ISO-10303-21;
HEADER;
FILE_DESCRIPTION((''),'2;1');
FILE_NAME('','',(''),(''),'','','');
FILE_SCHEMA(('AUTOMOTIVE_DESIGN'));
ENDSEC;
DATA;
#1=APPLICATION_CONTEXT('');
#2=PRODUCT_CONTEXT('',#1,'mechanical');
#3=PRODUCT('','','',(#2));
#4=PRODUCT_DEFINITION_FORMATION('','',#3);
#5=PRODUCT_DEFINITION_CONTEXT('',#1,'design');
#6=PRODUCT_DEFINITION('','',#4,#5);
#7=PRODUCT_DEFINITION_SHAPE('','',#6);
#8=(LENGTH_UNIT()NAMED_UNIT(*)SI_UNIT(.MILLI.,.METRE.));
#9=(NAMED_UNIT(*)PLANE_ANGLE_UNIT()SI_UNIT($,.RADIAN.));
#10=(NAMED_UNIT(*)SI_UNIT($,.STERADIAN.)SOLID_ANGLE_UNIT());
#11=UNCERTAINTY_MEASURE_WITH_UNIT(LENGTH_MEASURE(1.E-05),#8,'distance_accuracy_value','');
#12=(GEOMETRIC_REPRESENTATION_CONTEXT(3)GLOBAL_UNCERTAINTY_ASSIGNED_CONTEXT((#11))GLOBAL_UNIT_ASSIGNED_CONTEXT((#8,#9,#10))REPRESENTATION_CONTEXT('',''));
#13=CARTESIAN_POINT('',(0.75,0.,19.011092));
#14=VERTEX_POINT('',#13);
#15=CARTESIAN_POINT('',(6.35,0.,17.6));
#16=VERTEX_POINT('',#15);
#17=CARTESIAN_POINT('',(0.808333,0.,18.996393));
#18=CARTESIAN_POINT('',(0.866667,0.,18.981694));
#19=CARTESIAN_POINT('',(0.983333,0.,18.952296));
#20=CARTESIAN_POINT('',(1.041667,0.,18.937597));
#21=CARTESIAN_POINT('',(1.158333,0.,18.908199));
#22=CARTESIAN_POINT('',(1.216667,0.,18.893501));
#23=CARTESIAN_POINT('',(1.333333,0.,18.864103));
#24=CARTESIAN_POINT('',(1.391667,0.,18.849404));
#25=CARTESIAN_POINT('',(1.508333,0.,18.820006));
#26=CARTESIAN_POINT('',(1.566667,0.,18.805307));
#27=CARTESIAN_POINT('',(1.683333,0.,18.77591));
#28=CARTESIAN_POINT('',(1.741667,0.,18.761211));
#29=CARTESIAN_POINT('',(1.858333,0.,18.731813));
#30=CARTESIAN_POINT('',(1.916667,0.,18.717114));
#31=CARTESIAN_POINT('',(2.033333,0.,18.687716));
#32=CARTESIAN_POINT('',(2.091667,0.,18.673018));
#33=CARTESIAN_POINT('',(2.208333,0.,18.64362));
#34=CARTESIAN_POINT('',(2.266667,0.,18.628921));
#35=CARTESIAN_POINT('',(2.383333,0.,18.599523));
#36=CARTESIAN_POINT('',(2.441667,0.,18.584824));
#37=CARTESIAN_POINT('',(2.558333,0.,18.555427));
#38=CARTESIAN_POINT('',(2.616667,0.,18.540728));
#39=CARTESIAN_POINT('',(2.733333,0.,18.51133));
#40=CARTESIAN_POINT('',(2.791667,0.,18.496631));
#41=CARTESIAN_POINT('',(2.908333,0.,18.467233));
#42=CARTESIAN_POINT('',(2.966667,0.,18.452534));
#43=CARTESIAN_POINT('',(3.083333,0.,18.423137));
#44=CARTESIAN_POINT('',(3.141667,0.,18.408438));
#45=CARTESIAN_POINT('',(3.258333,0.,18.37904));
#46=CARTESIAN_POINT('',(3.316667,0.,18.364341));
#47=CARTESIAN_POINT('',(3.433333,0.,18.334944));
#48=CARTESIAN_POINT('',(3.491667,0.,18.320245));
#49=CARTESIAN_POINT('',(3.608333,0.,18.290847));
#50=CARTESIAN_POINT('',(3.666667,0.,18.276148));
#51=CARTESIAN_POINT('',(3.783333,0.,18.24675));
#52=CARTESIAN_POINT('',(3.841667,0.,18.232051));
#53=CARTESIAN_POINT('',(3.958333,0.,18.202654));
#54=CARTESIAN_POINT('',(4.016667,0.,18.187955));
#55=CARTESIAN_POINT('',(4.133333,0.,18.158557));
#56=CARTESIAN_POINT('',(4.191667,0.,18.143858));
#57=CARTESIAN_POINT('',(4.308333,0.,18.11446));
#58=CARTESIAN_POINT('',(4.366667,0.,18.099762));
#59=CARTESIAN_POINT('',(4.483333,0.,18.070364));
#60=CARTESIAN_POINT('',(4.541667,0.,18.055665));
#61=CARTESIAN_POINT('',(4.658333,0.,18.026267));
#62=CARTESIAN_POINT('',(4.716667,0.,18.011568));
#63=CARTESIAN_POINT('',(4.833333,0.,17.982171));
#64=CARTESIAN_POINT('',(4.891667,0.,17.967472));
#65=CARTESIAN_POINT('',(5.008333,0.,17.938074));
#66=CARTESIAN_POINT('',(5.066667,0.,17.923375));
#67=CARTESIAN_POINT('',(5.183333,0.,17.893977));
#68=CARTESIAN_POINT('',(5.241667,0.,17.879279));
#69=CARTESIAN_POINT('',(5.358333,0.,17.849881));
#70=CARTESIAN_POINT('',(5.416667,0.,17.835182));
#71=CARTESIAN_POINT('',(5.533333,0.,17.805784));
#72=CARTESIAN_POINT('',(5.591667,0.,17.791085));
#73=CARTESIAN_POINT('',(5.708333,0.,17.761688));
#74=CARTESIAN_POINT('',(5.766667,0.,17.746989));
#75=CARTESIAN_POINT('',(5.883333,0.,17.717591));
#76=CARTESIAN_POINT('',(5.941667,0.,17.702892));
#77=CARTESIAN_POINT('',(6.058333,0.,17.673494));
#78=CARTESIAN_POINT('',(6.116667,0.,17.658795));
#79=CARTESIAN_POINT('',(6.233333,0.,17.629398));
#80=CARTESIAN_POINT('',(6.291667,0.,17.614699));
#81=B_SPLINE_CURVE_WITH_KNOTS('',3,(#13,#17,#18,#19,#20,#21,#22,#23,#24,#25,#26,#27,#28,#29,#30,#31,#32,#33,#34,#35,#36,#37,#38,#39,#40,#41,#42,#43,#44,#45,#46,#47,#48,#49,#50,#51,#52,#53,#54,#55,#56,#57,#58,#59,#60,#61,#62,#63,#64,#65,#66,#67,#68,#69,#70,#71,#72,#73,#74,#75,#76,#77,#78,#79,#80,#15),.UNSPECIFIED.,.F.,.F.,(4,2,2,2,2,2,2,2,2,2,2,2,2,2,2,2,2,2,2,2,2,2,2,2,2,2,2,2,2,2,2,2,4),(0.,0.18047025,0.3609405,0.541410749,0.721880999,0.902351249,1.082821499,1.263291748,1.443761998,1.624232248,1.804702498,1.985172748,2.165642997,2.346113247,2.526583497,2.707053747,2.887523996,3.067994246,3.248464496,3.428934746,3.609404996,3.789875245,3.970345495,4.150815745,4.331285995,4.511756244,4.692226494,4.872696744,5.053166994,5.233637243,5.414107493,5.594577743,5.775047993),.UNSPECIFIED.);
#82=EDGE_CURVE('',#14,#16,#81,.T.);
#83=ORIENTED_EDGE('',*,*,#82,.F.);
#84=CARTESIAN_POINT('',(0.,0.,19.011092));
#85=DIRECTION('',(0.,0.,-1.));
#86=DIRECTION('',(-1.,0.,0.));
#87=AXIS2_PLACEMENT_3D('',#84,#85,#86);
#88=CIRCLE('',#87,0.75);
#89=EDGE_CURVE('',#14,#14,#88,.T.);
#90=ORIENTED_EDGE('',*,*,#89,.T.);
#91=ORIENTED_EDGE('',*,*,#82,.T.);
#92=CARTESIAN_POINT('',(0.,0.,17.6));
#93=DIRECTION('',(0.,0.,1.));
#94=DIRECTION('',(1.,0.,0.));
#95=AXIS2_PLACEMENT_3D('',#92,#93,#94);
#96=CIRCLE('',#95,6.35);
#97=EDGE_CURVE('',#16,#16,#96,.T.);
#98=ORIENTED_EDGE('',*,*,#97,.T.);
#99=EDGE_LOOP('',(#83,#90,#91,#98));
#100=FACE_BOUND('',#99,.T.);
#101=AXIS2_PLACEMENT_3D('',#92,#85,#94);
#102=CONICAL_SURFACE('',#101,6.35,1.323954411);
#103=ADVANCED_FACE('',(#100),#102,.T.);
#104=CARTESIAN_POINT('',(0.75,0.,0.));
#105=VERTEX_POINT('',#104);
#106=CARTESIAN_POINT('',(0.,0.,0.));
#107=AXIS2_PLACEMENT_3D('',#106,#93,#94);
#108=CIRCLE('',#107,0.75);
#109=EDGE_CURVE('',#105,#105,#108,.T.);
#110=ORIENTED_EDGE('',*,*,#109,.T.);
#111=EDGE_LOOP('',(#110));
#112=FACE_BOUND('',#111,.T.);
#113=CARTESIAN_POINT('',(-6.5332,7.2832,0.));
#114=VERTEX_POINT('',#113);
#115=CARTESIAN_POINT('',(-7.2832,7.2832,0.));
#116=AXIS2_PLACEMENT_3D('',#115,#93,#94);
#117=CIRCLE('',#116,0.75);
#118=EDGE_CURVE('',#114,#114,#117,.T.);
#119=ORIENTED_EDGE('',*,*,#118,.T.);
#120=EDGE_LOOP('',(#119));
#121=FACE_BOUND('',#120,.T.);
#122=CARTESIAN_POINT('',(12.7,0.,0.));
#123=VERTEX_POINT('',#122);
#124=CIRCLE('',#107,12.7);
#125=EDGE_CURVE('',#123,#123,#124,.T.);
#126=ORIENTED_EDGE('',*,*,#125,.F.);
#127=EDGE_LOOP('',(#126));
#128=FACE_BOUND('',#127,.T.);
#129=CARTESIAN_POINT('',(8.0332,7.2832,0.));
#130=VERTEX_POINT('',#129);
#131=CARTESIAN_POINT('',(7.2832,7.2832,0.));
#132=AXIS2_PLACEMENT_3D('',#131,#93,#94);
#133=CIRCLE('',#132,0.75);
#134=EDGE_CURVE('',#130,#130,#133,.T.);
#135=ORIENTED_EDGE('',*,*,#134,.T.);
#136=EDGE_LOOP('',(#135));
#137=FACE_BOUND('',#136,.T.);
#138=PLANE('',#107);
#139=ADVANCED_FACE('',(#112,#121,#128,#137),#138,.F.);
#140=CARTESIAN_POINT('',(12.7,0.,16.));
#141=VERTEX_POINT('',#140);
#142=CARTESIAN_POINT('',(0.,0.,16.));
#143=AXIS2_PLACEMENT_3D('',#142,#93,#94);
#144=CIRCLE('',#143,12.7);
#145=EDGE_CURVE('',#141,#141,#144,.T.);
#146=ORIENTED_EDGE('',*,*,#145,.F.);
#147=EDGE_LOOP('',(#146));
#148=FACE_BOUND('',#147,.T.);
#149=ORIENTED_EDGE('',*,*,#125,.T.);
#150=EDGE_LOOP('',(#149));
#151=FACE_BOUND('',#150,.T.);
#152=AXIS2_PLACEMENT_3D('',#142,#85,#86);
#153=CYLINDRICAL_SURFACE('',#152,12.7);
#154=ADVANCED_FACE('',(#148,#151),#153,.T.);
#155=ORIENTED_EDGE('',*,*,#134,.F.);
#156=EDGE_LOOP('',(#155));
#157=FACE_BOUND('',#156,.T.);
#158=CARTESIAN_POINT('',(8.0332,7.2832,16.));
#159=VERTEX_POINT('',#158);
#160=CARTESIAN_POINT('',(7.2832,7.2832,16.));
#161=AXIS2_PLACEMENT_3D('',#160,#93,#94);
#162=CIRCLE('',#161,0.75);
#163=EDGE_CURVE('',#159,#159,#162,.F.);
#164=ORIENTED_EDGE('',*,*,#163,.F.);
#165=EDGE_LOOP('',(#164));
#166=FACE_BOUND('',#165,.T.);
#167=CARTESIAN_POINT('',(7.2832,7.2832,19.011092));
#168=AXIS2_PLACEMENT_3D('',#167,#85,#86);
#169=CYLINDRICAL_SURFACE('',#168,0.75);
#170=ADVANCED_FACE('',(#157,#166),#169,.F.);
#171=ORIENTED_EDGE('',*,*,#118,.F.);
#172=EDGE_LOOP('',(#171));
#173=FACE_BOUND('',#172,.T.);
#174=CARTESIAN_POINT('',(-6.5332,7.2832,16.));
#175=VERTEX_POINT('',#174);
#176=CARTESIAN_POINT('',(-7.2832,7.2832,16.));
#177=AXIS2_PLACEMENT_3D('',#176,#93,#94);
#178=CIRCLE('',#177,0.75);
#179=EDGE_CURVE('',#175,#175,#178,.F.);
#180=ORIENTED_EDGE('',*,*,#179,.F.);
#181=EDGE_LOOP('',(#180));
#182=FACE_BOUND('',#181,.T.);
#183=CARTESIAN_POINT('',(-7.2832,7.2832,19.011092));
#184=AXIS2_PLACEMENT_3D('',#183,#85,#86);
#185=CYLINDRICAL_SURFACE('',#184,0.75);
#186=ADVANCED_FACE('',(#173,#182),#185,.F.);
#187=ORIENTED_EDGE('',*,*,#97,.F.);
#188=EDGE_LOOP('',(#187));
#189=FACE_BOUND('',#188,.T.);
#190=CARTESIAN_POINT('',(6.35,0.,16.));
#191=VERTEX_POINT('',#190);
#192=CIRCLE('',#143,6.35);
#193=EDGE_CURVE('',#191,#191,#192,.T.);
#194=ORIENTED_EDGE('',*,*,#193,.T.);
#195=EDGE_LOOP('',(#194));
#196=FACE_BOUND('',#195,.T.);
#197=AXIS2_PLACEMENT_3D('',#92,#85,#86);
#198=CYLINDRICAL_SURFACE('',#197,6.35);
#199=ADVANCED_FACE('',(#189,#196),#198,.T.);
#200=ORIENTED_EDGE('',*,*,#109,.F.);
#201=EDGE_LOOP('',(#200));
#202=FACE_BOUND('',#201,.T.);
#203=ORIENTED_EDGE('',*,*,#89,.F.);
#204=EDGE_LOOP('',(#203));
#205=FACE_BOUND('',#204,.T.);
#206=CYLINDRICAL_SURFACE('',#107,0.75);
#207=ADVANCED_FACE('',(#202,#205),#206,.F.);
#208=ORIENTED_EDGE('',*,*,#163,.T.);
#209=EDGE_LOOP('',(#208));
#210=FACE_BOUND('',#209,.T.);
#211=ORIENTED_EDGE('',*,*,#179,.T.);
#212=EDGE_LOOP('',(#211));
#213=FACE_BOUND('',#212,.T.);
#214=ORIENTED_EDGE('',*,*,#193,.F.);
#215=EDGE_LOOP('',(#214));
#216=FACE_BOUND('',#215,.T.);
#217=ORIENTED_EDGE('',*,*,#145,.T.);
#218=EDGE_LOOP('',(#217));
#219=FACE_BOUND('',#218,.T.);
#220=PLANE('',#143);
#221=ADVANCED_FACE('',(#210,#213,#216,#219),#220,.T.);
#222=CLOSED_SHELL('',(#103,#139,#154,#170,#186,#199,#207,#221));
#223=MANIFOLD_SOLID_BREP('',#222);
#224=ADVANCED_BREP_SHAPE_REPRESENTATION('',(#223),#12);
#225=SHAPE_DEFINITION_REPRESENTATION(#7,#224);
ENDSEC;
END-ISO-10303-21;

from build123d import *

# Parameters (mm, degrees)
SKETCH_1_R               = 12.7
EXTRUDE_1_DEPTH          = 16
SKETCH_2_R               = 6.35
EXTRUDE_2_DEPTH          = 1.6
SKETCH_3_R               = 6.35
EXTRUDE_3_DEPTH          = 1.6
EXTRUDE_3_TAPER          = 75.857
CUT_EXTRUDE_1_DEPTH      = 25.053689946
CUT_EXTRUDE_1_DEPTH_BACK = 25.053689946
SKETCH_4_R               = 0.75
SKETCH_5_R               = 0.75
CUT_EXTRUDE_5_DEPTH      = 27.153424276


with BuildPart() as part:
    # Эскиз1 → Бобышка-Вытянуть1 (new body)
    with BuildSketch(Plane.XY):
        Circle(SKETCH_1_R)
    extrude(amount=EXTRUDE_1_DEPTH)

    # Эскиз2 → Бобышка-Вытянуть2 (add)
    with BuildSketch(Plane.XY.offset(16)):
        Circle(SKETCH_2_R)
    extrude(amount=EXTRUDE_2_DEPTH)

    # Эскиз3 → Бобышка-Вытянуть3 (add)
    with BuildSketch(Plane.XY.offset(17.6)):
        Circle(SKETCH_3_R)
    extrude(amount=EXTRUDE_3_DEPTH, taper=EXTRUDE_3_TAPER)

    # Эскиз4 → Вырез-Вытянуть1 (cut, two sides: drawn at the far end of the back side and taken through both)
    with BuildSketch(Plane.XY.offset(16).offset(-CUT_EXTRUDE_1_DEPTH_BACK)):
        Circle(SKETCH_4_R)
    extrude(amount=CUT_EXTRUDE_1_DEPTH + CUT_EXTRUDE_1_DEPTH_BACK, mode=Mode.SUBTRACT)

    # Эскиз5 → Вырез-Вытянуть5 (cut, through all)
    with BuildSketch(Plane.XY):
        with Locations((-7.283199846, 7.283199846)):
            Circle(SKETCH_5_R)
        with Locations((7.283199846, 7.283199846)):
            Circle(SKETCH_5_R)
    extrude(amount=CUT_EXTRUDE_5_DEPTH, mode=Mode.SUBTRACT)


solid = part.part
